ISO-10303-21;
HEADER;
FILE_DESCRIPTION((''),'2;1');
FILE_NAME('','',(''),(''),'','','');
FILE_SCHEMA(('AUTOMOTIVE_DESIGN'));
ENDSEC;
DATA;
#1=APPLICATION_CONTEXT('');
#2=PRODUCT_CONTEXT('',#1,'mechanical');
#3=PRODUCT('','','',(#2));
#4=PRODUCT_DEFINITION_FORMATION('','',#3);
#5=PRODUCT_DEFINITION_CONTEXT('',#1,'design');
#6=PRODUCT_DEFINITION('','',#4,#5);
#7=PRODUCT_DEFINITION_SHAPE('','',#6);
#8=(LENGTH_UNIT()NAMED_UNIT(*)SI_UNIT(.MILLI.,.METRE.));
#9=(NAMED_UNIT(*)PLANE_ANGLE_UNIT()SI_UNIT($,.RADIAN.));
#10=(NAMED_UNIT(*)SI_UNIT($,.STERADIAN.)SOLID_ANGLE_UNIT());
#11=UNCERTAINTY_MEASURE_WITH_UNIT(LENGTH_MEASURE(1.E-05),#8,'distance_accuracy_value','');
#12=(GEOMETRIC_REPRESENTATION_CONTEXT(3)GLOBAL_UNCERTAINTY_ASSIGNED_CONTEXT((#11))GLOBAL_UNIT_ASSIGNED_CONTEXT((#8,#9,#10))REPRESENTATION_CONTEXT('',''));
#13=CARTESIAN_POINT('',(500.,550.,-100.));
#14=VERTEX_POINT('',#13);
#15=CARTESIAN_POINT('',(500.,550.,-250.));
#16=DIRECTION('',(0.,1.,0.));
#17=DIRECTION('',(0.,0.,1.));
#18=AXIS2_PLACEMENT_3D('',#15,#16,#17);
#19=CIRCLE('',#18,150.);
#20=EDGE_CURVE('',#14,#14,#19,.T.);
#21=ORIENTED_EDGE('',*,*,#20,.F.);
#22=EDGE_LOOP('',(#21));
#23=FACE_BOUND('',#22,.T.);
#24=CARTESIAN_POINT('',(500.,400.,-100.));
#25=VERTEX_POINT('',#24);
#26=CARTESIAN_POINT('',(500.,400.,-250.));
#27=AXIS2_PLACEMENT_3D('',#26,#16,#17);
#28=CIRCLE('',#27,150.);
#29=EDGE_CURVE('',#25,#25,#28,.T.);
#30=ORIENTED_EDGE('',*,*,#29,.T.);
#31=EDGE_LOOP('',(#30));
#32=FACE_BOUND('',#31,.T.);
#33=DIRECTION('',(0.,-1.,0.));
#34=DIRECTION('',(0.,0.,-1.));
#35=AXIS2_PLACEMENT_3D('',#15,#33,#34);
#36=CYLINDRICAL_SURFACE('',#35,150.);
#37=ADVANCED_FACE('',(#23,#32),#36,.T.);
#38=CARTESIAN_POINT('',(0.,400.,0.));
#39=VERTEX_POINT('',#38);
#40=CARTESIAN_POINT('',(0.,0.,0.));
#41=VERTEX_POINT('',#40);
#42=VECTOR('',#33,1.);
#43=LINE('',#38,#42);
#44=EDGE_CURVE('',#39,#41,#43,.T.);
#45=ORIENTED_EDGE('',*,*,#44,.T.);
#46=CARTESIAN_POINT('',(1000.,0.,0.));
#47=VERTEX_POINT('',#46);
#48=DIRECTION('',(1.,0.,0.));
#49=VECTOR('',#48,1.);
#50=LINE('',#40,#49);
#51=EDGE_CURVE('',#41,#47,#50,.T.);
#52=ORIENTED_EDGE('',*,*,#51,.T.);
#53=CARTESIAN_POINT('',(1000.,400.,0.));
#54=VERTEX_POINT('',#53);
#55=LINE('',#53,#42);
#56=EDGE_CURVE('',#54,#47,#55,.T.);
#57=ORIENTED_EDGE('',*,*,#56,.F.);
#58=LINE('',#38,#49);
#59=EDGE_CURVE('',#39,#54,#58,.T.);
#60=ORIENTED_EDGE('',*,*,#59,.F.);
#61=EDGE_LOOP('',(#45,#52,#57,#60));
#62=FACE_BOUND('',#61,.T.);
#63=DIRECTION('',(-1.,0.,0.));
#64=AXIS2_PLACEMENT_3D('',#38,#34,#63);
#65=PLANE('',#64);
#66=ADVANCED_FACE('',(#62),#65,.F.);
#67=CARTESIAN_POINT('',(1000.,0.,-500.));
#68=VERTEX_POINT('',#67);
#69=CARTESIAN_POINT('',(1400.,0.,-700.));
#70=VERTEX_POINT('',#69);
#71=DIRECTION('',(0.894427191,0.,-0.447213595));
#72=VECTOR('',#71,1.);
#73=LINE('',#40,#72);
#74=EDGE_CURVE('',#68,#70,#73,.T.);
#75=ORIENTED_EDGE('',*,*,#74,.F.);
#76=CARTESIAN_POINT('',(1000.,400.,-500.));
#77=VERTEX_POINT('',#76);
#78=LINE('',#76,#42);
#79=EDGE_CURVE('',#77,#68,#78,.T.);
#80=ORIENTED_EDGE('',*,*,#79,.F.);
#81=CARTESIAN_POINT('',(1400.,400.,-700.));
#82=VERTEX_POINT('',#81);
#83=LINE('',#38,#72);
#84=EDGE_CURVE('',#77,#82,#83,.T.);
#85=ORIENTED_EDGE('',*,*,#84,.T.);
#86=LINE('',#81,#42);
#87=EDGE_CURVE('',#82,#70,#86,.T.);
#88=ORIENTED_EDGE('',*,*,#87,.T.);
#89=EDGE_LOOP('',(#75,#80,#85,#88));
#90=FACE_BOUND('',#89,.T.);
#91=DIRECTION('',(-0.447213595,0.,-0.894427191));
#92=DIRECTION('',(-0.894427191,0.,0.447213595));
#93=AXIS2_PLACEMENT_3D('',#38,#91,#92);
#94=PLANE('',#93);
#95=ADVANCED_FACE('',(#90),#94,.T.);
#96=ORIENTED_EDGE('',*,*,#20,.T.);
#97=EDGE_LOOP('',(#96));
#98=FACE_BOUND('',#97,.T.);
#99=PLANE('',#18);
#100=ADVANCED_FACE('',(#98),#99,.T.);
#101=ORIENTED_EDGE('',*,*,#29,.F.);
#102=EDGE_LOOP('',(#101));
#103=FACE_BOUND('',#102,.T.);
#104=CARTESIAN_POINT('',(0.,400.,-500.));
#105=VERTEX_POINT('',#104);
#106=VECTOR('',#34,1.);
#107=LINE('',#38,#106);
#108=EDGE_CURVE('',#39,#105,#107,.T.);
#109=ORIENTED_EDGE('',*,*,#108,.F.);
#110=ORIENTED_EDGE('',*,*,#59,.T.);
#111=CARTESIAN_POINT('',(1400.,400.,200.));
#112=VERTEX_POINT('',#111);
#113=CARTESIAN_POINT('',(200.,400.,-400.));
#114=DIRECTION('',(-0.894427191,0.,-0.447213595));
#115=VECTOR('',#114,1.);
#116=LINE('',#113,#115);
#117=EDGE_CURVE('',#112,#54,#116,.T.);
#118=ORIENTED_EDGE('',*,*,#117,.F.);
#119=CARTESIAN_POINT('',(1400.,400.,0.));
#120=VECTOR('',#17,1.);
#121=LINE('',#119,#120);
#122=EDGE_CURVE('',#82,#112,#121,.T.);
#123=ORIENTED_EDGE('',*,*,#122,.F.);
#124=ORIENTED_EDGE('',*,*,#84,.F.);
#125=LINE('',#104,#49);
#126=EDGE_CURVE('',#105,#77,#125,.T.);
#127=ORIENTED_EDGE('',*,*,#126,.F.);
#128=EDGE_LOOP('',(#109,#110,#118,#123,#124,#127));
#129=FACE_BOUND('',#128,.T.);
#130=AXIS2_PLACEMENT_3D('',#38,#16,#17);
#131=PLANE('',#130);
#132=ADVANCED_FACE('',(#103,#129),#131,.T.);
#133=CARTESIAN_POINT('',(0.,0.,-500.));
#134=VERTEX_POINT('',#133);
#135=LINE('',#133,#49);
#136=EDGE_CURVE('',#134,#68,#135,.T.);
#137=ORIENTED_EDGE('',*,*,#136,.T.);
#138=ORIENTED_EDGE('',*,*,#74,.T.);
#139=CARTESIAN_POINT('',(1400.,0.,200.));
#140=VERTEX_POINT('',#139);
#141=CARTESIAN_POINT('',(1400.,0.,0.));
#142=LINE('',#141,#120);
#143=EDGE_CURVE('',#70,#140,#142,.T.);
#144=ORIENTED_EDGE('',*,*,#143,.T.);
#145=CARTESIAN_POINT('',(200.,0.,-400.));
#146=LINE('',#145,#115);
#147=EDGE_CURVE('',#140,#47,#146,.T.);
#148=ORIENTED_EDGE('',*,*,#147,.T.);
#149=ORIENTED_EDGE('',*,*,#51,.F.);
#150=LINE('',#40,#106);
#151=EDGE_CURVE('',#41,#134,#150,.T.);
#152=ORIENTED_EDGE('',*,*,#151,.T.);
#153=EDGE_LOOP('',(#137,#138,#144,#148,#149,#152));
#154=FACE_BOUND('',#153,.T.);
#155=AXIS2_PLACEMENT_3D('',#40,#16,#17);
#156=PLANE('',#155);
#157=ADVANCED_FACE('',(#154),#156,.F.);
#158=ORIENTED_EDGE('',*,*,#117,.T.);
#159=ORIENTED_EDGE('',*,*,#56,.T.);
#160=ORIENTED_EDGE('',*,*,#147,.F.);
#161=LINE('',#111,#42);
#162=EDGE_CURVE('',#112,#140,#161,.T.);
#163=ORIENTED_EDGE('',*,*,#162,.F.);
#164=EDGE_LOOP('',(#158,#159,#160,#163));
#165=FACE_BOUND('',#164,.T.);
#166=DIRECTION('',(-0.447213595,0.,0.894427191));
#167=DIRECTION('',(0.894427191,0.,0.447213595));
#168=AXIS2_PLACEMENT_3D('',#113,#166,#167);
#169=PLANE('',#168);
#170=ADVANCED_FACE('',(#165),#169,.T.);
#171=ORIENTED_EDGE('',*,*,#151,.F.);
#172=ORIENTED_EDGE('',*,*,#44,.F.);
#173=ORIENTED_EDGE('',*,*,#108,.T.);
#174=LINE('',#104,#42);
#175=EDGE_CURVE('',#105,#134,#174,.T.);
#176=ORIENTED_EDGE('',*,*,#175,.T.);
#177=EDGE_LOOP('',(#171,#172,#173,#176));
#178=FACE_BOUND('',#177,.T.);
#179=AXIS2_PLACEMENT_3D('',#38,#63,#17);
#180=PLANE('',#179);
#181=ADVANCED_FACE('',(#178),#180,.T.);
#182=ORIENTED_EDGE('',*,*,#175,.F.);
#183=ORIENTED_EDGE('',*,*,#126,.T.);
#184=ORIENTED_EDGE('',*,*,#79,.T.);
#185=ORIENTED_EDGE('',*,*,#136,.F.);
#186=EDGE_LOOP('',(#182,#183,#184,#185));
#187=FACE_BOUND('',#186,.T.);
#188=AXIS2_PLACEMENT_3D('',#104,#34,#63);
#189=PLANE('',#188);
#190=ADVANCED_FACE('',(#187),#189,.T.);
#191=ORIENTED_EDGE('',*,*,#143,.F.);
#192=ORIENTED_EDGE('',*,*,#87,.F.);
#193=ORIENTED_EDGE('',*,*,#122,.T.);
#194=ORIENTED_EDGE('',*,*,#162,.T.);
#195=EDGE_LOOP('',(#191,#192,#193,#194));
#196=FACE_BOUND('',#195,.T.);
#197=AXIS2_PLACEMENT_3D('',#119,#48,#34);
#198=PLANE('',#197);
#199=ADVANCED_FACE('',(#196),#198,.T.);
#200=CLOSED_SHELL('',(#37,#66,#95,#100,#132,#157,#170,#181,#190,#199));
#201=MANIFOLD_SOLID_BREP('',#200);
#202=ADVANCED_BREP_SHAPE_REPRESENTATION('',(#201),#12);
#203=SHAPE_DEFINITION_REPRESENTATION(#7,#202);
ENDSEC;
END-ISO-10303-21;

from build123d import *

# Parameters (mm, degrees)
SKETCH1_W           = 1000
SKETCH1_H           = 500
BOSS_EXTRUDE1_DEPTH = 400
SKETCH2_R           = 150
BOSS_EXTRUDE2_DEPTH = 150


with BuildPart() as part:
    # Sketch1 → Boss-Extrude1 (new body)
    with BuildSketch(Plane(origin=(0, 0, 0), x_dir=(1, 0, 0), z_dir=(0, 1, 0))):
        Polygon((1400, -200), (1000, 0), (1000, 500), (1400, 700), align=None)
        with Locations((500, 250)):
            Rectangle(SKETCH1_W, SKETCH1_H)
    extrude(amount=BOSS_EXTRUDE1_DEPTH)

    # Sketch2 → Boss-Extrude2 (add)
    with BuildSketch(Plane(origin=(0, 400, 0), x_dir=(1, 0, 0), z_dir=(0, 1, 0))):
        with Locations(Location((500, 250, 0), (0, 0, 270))):
            Circle(SKETCH2_R)
    extrude(amount=BOSS_EXTRUDE2_DEPTH)


solid = part.part
